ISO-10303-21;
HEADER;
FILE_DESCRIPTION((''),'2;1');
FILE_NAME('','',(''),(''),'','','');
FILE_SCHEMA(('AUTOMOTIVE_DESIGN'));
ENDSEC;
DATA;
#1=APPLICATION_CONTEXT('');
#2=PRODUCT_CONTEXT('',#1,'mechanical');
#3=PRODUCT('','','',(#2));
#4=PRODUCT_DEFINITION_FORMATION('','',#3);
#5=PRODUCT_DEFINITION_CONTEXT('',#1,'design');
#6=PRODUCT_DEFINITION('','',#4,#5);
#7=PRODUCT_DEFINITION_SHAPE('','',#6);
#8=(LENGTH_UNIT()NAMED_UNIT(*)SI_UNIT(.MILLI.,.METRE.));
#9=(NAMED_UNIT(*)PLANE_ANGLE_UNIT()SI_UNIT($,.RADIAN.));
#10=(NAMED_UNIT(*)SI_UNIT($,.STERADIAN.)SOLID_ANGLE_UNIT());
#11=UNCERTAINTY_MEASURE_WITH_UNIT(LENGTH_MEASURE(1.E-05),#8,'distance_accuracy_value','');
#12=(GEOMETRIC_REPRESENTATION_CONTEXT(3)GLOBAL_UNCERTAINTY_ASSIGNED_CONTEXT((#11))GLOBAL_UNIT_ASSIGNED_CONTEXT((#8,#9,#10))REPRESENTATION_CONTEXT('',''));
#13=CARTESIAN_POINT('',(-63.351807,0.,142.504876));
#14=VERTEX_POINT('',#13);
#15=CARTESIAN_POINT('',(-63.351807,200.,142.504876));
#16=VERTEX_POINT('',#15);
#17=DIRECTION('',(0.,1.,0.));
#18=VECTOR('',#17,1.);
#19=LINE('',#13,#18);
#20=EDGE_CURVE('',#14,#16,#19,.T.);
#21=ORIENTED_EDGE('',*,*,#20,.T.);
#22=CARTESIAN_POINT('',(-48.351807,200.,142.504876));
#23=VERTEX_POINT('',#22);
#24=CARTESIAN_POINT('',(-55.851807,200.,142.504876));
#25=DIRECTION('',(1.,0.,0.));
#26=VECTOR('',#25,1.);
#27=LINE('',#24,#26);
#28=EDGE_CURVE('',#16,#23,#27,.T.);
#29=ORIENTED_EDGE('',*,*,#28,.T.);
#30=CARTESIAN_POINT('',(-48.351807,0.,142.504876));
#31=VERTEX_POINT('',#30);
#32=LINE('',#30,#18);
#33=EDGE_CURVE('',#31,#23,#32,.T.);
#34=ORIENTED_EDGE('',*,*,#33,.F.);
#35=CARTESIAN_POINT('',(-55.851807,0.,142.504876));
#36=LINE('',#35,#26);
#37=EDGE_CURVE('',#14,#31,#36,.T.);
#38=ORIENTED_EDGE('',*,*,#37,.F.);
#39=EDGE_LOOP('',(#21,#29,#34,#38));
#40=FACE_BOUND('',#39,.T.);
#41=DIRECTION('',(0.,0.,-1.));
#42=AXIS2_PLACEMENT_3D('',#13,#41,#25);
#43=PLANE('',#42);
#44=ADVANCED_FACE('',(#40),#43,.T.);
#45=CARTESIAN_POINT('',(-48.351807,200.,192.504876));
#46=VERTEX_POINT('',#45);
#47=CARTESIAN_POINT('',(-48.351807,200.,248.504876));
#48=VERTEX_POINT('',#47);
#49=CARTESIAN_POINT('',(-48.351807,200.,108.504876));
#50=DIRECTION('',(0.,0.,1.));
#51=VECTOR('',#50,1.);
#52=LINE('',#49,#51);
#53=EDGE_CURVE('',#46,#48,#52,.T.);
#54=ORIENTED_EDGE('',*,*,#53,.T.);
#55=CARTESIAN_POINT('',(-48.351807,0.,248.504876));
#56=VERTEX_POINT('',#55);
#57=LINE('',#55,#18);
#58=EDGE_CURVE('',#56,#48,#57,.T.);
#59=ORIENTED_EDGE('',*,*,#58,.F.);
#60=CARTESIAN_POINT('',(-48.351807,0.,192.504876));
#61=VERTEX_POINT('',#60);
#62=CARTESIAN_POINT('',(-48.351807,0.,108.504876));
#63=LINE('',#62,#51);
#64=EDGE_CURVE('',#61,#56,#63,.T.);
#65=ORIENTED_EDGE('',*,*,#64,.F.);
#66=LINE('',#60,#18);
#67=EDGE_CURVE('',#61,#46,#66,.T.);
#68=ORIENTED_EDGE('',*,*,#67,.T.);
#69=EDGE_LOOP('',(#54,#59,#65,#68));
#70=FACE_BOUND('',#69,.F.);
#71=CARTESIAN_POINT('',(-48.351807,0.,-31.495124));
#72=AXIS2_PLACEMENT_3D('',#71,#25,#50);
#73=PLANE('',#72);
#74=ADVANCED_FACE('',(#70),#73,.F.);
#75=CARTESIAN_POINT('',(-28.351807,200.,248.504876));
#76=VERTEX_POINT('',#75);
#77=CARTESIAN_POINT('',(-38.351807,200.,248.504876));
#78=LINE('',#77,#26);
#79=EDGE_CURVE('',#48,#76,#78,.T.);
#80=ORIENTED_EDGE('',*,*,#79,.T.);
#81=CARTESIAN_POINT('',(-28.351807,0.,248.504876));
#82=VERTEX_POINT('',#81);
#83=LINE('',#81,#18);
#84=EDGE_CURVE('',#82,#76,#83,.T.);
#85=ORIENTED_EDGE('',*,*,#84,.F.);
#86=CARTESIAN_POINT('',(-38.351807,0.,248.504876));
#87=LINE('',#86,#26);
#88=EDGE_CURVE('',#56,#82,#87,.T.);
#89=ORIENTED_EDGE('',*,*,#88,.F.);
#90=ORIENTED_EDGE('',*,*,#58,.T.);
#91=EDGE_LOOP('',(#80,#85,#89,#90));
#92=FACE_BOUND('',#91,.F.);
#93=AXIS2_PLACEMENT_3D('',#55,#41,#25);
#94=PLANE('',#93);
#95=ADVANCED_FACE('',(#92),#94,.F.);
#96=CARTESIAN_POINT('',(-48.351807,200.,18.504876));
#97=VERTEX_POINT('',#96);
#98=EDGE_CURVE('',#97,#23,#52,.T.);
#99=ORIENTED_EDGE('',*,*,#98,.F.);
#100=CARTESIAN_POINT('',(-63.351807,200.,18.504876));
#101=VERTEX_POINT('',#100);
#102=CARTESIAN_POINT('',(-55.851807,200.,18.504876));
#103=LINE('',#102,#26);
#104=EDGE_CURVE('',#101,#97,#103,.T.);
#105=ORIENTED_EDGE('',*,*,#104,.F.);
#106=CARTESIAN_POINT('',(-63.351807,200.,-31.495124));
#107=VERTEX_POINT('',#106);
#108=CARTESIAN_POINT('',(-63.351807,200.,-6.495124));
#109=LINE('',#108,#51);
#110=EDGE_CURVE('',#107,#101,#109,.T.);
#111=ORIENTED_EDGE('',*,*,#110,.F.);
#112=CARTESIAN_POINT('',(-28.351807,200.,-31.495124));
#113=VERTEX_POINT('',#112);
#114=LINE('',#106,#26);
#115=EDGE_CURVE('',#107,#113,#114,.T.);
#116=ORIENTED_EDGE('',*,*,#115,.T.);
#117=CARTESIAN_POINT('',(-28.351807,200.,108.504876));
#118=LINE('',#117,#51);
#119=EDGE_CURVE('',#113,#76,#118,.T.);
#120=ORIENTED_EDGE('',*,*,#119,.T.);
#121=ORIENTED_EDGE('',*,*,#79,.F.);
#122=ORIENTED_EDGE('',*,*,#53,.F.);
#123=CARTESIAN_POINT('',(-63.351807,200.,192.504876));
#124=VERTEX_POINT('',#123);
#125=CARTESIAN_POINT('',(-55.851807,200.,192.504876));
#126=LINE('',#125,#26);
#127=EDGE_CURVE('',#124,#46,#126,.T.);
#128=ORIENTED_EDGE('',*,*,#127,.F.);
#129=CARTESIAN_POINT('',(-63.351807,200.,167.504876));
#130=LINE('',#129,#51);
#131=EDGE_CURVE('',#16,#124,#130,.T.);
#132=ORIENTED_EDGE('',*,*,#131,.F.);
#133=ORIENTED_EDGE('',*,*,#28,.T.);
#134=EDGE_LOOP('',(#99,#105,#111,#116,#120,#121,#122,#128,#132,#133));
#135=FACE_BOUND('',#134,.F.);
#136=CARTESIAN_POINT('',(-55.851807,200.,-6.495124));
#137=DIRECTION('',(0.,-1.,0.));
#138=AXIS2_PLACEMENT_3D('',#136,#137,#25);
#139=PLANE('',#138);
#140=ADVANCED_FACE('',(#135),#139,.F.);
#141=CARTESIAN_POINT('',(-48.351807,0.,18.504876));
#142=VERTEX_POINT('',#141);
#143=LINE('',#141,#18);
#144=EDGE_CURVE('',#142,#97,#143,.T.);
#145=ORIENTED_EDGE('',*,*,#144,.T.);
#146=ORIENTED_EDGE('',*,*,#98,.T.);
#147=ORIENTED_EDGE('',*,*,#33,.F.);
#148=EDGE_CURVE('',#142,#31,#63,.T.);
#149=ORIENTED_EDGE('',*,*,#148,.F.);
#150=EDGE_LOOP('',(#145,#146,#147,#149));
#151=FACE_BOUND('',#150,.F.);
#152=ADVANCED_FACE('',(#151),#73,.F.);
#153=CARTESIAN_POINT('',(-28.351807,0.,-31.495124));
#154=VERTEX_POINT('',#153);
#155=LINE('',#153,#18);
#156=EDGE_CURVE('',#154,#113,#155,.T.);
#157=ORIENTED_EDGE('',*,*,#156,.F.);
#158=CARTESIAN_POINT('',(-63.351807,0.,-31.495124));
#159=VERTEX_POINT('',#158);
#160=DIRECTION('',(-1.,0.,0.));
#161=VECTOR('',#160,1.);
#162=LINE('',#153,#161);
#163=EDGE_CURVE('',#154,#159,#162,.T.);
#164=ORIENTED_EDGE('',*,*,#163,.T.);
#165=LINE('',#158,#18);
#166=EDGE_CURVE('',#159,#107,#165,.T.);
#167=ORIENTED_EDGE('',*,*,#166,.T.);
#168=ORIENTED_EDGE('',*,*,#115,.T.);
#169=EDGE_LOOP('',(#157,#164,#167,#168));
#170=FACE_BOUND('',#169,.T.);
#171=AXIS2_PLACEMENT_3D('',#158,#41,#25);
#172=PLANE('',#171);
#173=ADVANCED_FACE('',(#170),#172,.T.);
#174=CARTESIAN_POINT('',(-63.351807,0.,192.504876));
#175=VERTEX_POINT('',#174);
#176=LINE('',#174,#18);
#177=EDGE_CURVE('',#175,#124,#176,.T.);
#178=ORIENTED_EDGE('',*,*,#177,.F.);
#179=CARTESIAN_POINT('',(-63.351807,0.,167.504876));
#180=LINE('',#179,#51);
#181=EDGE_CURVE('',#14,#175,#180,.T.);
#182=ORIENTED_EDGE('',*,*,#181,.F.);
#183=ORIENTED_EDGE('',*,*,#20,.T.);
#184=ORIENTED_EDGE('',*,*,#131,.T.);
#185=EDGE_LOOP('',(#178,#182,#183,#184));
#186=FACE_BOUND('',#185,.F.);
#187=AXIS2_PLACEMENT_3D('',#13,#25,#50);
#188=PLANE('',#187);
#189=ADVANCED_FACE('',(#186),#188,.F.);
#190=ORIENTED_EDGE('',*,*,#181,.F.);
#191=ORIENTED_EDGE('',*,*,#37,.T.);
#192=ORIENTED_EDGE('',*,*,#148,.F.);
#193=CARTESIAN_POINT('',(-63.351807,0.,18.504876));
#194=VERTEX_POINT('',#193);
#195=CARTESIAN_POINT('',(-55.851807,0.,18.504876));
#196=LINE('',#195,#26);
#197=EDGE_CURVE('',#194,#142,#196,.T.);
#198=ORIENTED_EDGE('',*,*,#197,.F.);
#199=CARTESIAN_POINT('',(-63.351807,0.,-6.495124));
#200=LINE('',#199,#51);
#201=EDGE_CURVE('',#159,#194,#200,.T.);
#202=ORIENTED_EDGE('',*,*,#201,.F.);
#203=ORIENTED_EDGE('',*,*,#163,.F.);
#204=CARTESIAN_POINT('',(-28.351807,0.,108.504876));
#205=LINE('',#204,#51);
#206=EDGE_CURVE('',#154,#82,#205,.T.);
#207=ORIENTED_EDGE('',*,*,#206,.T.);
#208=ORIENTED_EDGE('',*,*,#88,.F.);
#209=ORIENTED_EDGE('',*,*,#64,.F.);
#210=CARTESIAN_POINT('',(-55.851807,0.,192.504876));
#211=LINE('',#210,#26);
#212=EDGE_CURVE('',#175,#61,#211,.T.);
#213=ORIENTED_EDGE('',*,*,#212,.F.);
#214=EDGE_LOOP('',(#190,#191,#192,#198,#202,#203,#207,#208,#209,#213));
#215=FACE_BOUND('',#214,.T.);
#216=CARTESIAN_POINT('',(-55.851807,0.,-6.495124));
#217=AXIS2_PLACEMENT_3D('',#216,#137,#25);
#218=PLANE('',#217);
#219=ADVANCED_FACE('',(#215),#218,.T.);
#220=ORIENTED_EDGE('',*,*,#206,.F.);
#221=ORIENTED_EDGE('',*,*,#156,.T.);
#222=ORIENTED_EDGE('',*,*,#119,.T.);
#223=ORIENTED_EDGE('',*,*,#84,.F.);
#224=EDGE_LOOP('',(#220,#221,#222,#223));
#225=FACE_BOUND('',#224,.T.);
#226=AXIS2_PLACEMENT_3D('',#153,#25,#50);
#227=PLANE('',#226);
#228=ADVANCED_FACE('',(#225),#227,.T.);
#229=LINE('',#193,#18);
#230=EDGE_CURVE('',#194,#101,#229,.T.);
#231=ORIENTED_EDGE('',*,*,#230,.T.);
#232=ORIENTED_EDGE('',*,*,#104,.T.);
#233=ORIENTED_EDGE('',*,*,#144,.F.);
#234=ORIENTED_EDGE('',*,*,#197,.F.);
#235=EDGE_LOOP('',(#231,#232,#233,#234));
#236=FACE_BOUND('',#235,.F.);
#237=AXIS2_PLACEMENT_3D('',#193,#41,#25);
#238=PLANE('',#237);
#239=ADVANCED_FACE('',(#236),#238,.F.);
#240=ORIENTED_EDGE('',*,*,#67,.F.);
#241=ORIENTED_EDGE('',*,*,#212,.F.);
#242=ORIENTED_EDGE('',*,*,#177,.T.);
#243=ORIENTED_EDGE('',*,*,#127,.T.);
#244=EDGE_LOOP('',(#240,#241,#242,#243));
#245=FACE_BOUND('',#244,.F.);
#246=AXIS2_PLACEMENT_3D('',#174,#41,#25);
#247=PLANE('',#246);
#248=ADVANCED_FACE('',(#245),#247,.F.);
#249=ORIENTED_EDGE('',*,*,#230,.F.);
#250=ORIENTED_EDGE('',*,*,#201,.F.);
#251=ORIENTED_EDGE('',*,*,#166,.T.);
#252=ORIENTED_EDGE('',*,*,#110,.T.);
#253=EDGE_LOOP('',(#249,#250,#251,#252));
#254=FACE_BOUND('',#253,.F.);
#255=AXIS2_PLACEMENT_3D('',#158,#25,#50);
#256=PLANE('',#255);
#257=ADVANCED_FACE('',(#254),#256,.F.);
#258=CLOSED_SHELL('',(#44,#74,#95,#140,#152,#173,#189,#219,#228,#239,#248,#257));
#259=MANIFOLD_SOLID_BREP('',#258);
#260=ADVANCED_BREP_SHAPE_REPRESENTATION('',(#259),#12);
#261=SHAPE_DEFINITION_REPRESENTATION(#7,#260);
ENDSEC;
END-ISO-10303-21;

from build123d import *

# Parameters (mm, degrees)
F0_W     = 20
F0_H     = 280
F1_DEPTH = 200
F2_W     = 15
F2_H     = 50
F3_DEPTH = 200


with BuildPart() as f1:
    # F0 (on Front) → F1 (new body)
    with BuildSketch(Plane.XZ):
        with Locations((-38.351807, 108.504876)):
            Rectangle(F0_W, F0_H)
    extrude(amount=-F1_DEPTH)

    # F2 (on face) → F3 (join)
    with BuildSketch(Plane.XZ):
        with Locations((-55.851807, 167.504876)):
            Rectangle(F2_W, F2_H)
        with Locations((-55.851807, -6.495124)):
            Rectangle(F2_W, F2_H)
    extrude(amount=-F3_DEPTH)


solid = f1.part
